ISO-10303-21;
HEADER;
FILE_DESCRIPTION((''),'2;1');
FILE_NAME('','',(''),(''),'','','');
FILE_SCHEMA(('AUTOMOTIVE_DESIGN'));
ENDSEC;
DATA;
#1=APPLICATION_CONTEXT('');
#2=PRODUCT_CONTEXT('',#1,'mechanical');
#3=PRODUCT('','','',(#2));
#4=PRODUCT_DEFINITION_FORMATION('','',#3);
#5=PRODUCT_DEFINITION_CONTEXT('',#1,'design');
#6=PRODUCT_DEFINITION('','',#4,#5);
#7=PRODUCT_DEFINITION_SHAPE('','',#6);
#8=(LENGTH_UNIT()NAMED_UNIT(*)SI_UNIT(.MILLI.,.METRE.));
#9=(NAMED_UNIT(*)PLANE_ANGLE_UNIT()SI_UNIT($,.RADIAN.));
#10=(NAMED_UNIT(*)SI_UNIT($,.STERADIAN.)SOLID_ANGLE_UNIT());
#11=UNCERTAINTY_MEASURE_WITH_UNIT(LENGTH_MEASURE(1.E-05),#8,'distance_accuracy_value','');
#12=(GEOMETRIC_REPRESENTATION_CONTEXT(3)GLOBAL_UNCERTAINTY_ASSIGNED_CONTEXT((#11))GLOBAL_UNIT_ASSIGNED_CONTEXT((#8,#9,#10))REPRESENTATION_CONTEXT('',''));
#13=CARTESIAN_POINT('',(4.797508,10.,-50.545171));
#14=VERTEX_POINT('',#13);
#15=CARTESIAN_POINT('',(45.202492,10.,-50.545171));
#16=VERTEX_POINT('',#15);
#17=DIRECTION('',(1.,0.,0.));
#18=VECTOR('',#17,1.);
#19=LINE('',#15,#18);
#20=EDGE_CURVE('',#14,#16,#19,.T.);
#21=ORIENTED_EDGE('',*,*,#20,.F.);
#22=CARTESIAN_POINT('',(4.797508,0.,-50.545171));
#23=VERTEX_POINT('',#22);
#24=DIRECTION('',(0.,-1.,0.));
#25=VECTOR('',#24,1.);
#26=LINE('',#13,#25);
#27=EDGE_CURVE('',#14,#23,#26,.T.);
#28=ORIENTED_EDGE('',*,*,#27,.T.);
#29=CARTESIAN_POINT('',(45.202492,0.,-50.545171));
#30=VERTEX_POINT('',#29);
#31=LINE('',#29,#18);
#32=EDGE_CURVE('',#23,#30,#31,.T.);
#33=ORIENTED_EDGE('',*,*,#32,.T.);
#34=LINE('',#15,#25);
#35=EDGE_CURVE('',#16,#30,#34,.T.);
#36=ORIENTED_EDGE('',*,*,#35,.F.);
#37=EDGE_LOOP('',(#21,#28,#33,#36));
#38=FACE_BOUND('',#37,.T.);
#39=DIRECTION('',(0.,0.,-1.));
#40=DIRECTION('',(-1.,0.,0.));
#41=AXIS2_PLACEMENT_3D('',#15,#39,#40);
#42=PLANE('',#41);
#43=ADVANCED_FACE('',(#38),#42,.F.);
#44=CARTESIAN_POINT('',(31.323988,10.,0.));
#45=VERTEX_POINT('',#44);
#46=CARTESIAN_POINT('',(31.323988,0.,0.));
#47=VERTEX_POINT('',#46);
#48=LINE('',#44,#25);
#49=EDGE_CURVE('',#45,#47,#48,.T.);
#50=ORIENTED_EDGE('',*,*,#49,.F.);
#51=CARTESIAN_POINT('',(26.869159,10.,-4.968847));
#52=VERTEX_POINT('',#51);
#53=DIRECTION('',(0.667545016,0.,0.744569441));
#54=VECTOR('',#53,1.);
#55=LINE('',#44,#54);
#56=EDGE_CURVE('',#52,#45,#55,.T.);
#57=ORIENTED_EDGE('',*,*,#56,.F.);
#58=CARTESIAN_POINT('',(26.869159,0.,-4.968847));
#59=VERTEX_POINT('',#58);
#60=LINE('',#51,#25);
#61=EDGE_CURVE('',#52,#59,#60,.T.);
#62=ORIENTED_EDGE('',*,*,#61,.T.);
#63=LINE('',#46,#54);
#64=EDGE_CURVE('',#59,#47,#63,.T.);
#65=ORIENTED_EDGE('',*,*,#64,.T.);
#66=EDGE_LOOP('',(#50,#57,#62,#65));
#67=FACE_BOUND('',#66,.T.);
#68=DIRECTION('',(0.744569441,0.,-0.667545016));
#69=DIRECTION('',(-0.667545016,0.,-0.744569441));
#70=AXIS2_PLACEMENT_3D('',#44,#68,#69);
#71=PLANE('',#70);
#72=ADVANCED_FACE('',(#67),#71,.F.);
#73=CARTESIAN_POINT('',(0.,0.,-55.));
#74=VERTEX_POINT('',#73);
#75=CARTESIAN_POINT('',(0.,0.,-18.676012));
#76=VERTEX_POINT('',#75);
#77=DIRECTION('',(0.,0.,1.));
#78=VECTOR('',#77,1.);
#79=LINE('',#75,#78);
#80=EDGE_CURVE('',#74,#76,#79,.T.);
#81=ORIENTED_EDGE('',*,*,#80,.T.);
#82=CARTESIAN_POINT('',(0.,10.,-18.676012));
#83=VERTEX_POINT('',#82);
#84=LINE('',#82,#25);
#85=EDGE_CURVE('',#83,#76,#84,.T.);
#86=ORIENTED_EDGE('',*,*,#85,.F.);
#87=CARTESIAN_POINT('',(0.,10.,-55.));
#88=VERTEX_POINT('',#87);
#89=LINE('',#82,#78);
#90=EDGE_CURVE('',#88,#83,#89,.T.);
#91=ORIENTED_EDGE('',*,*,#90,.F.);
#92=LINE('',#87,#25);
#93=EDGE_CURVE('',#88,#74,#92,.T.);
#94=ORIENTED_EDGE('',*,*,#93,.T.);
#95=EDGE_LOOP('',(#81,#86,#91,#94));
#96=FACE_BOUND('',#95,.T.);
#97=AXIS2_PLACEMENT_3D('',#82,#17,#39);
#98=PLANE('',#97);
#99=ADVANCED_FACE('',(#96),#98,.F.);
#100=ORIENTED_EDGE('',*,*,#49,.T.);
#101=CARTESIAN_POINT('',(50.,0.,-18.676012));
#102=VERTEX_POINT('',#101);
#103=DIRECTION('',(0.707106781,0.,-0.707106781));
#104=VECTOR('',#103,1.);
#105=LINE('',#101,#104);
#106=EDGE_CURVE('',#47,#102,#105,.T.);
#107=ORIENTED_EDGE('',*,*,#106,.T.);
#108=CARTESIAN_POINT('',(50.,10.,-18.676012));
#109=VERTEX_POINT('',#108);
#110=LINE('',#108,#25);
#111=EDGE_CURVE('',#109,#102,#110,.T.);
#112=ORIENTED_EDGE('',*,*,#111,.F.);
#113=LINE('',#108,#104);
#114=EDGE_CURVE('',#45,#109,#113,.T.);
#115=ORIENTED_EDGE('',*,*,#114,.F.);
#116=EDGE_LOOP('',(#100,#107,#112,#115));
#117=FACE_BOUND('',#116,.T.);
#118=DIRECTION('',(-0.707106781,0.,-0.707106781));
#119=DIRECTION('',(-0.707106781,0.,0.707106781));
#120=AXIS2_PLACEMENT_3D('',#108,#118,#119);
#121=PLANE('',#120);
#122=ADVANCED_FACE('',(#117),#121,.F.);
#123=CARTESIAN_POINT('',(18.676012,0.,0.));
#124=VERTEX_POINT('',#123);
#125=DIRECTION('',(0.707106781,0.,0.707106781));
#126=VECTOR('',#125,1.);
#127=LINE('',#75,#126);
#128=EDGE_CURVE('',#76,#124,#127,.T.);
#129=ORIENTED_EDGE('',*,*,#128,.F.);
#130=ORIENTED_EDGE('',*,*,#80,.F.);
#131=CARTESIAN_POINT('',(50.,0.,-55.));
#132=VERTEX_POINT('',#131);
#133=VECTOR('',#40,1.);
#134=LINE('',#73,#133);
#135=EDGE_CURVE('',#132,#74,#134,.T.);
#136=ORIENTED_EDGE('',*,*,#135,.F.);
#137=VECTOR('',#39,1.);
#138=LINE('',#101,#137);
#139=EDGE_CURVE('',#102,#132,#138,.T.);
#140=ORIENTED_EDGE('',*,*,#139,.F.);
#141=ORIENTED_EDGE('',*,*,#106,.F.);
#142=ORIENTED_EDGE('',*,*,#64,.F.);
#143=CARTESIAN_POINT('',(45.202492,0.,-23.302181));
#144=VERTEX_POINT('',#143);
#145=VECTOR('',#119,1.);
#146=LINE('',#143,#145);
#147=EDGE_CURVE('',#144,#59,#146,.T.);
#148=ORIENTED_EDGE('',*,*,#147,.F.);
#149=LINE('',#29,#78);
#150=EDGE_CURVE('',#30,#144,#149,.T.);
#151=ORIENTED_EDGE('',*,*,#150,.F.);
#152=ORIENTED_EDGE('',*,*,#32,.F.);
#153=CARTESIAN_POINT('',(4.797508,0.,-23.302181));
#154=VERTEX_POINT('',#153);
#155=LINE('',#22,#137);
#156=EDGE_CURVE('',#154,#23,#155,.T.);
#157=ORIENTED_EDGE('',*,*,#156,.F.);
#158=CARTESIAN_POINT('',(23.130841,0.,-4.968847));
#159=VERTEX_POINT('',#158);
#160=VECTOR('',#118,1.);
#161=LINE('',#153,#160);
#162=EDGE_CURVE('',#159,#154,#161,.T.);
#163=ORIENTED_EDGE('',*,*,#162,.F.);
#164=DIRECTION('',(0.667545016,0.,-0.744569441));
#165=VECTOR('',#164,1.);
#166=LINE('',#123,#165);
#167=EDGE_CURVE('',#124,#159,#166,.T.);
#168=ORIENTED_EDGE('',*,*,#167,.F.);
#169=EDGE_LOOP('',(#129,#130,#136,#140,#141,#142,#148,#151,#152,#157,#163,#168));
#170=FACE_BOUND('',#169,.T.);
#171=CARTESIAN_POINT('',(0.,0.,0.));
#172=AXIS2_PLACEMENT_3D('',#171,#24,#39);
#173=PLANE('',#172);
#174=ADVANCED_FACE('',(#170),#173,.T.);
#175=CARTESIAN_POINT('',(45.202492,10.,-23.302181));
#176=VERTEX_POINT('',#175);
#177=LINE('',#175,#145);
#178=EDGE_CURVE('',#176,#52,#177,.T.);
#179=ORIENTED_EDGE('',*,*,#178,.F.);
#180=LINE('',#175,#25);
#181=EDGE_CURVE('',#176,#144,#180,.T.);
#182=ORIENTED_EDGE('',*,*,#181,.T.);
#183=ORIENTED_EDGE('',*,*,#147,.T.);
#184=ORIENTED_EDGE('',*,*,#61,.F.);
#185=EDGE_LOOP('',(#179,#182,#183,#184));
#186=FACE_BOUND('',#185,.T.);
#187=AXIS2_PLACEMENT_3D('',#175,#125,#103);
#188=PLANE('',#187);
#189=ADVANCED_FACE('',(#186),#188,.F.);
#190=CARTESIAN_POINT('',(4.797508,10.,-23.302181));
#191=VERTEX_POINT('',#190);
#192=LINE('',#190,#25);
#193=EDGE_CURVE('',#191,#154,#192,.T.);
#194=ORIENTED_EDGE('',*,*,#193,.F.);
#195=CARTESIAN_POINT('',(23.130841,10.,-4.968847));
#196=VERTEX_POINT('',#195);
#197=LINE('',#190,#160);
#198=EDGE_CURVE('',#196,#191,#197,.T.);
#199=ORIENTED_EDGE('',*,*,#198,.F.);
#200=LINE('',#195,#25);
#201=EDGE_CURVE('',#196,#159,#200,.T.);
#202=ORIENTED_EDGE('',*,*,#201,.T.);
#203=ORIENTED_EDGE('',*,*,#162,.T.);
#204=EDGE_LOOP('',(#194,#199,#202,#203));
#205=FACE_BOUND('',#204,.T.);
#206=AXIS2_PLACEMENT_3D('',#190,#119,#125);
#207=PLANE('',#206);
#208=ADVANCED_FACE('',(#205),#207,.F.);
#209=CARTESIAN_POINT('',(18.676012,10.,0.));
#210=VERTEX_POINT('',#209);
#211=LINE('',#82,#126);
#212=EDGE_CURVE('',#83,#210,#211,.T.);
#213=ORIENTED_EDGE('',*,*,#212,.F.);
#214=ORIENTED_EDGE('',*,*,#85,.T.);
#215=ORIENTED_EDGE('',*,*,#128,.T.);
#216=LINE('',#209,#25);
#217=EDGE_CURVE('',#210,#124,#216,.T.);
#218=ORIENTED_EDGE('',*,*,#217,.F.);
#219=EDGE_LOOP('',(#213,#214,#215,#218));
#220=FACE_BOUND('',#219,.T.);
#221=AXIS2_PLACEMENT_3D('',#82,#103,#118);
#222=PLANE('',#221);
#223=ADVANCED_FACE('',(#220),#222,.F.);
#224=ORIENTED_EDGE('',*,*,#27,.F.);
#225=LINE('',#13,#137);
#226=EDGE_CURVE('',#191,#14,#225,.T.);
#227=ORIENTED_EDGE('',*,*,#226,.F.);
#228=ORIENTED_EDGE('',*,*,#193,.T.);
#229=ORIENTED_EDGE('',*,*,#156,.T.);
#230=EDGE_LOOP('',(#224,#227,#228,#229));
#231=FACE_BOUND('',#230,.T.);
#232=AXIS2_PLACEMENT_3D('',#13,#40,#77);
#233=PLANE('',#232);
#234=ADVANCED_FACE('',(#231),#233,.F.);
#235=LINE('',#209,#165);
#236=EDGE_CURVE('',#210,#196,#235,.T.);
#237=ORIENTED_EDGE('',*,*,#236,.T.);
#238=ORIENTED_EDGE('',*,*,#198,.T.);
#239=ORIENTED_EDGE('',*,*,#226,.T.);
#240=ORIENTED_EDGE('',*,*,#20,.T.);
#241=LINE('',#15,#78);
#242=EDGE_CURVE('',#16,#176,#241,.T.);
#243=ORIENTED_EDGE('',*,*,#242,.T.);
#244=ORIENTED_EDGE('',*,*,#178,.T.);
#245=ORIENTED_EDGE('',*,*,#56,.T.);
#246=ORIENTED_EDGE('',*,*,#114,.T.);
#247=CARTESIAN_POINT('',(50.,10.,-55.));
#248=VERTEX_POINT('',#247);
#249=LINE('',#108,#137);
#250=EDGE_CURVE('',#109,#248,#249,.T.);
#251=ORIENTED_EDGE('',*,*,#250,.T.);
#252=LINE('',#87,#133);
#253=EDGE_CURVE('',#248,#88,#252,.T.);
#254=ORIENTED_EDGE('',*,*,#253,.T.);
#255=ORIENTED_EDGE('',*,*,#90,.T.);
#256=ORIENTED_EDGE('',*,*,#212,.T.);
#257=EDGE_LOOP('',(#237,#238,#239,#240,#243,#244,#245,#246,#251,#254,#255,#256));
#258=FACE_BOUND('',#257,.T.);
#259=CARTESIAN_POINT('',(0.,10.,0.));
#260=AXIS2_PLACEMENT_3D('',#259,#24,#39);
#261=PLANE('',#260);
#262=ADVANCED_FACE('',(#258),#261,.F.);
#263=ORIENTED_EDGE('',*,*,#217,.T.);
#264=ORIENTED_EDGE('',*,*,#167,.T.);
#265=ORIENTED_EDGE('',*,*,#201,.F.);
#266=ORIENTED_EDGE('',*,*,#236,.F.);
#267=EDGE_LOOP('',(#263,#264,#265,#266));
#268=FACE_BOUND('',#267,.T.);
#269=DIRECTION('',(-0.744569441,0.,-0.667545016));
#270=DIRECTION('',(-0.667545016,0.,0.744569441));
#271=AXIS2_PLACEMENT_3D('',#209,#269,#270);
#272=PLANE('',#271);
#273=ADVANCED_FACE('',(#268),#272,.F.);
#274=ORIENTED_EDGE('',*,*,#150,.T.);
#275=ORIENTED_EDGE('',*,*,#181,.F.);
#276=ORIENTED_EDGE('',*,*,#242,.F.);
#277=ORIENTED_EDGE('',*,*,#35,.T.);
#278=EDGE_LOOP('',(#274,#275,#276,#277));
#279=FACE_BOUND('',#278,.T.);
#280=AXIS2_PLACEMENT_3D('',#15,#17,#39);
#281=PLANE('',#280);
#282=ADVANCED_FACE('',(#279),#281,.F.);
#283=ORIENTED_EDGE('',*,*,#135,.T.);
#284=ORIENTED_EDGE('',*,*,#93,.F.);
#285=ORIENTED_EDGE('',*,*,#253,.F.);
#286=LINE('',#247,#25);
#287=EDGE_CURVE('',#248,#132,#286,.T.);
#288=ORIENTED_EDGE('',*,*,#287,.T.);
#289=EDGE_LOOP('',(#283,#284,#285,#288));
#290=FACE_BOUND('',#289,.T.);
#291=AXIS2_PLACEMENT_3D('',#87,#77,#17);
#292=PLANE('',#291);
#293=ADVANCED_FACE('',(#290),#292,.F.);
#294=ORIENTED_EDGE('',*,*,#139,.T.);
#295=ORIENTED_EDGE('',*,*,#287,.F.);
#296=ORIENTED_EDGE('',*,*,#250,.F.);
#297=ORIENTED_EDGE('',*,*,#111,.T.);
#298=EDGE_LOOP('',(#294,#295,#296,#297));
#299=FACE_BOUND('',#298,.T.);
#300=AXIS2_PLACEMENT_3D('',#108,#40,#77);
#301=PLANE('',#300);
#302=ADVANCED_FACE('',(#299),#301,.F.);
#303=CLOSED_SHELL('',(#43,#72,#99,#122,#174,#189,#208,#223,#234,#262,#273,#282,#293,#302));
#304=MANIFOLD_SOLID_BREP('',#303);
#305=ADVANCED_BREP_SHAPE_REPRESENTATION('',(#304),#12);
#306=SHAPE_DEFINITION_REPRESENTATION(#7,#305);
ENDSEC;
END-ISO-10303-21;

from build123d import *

# Parameters (mm, degrees)
BOSS_EXTRUDE1_DEPTH = 10


with BuildPart() as part:
    # Sketch1 → Boss-Extrude1 (new body)
    with BuildSketch(Plane(origin=(0, 0, 0), x_dir=(1, 0, 0), z_dir=(0, 1, 0))):
        Polygon((0, 18.676012461), (18.676012461, 0), (23.130841121, 4.968847352), (4.797507788, 23.302180685), (4.797507788, 50.54517134), (45.202492212, 50.54517134), (45.202492212, 23.302180685), (26.869158879, 4.968847352), (31.323987539, 0), (50, 18.676012461), (50, 55), (0, 55), align=None)
    extrude(amount=BOSS_EXTRUDE1_DEPTH)


solid = part.part
